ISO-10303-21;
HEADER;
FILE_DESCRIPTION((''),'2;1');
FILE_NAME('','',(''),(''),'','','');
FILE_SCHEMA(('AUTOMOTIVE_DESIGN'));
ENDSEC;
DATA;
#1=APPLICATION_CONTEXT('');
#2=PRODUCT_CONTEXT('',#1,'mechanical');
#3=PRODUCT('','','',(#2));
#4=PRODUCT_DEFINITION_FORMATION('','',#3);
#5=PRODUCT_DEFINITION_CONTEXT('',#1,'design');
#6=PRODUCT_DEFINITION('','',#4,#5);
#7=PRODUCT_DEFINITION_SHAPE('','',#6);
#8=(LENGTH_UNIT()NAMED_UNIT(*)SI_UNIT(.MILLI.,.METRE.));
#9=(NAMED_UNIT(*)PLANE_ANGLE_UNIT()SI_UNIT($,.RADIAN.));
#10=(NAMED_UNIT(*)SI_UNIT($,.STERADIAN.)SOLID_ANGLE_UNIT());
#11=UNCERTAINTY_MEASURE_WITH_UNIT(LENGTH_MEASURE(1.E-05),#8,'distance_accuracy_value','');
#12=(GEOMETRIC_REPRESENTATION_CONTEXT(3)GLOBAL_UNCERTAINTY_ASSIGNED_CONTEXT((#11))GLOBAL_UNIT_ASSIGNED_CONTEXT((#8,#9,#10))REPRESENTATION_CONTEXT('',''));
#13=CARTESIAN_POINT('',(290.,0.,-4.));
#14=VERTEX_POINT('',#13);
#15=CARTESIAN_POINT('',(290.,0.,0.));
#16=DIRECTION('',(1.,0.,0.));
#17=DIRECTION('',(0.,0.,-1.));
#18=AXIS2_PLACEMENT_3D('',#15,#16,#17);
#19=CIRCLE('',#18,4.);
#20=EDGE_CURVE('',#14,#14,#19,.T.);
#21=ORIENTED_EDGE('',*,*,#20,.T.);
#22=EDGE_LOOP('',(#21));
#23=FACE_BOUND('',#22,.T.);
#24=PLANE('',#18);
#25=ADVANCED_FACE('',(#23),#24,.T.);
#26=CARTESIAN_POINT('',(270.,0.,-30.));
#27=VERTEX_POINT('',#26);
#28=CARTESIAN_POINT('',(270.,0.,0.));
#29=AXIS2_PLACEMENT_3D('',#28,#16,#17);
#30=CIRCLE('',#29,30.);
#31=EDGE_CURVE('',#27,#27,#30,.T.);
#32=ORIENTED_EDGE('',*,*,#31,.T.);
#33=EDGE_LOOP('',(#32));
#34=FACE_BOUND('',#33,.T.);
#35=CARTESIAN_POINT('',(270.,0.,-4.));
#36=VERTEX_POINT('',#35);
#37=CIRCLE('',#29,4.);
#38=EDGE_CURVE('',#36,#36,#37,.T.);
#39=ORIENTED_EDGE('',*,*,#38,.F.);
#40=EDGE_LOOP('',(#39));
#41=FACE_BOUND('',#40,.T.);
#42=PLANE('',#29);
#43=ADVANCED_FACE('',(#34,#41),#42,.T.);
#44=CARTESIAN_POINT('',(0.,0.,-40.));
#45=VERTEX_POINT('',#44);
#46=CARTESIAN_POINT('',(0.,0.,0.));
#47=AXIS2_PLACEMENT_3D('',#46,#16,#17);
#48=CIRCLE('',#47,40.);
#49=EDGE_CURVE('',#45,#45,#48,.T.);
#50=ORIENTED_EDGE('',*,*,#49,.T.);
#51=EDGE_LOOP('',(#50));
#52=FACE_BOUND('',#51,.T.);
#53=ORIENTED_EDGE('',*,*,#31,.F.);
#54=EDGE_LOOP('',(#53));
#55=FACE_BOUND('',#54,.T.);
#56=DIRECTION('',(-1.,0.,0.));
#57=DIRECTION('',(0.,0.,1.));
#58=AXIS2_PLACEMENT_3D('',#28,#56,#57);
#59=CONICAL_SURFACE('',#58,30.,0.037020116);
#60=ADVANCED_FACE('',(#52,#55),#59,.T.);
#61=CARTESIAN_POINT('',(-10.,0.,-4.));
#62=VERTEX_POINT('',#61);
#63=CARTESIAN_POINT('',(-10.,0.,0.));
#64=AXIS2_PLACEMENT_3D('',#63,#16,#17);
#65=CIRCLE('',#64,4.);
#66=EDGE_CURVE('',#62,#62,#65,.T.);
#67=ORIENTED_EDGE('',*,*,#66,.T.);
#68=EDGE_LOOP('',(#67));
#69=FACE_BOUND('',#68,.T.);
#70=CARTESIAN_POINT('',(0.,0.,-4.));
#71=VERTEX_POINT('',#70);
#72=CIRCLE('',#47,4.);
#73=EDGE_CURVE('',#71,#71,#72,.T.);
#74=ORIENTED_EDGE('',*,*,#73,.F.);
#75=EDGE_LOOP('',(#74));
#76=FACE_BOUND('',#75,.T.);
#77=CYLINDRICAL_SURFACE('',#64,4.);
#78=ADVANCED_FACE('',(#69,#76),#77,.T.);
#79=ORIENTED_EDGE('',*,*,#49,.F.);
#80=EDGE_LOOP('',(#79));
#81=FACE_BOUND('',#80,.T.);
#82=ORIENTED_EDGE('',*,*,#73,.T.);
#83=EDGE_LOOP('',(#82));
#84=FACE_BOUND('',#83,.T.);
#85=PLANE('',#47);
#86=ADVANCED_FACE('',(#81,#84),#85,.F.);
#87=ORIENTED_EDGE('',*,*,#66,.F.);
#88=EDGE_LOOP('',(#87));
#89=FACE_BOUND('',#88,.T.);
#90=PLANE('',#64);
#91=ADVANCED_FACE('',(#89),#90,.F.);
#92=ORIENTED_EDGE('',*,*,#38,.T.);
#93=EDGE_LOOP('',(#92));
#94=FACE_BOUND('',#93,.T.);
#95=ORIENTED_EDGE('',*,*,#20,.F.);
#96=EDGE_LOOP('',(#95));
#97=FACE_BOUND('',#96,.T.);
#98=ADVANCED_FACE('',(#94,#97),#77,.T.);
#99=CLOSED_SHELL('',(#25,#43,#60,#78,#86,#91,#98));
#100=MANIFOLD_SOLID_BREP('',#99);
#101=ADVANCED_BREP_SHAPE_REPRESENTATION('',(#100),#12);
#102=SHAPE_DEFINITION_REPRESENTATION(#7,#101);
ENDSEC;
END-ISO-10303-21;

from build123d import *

# Parameters (mm, degrees)
SKETCH1_R                = 40
SKETCH2_R                = 30
SKETCH3_R                = 4
BOSS_EXTRUDE1_DEPTH      = 20
BOSS_EXTRUDE1_DEPTH_BACK = 280


with BuildPart() as part:
    # Sketch1 → Loft1 section 0
    with BuildSketch(Plane(origin=(0, 0, 0), x_dir=(0, 0, -1), z_dir=(1, 0, 0))):
        Circle(SKETCH1_R)
    # Sketch2 → Loft1 section 1
    with BuildSketch(Plane(origin=(270, 0, 0), x_dir=(0, 0, -1), z_dir=(1, 0, 0))):
        Circle(SKETCH2_R)
    loft()

    # Sketch3 → Boss-Extrude1 (add, two sides)
    with BuildSketch(Plane(origin=(270, 0, 0), x_dir=(0, 0, -1), z_dir=(1, 0, 0))) as boss_extrude1_sk:
        Circle(SKETCH3_R)
    extrude(amount=BOSS_EXTRUDE1_DEPTH)
    extrude(boss_extrude1_sk.sketch, amount=-BOSS_EXTRUDE1_DEPTH_BACK)


solid = part.part
